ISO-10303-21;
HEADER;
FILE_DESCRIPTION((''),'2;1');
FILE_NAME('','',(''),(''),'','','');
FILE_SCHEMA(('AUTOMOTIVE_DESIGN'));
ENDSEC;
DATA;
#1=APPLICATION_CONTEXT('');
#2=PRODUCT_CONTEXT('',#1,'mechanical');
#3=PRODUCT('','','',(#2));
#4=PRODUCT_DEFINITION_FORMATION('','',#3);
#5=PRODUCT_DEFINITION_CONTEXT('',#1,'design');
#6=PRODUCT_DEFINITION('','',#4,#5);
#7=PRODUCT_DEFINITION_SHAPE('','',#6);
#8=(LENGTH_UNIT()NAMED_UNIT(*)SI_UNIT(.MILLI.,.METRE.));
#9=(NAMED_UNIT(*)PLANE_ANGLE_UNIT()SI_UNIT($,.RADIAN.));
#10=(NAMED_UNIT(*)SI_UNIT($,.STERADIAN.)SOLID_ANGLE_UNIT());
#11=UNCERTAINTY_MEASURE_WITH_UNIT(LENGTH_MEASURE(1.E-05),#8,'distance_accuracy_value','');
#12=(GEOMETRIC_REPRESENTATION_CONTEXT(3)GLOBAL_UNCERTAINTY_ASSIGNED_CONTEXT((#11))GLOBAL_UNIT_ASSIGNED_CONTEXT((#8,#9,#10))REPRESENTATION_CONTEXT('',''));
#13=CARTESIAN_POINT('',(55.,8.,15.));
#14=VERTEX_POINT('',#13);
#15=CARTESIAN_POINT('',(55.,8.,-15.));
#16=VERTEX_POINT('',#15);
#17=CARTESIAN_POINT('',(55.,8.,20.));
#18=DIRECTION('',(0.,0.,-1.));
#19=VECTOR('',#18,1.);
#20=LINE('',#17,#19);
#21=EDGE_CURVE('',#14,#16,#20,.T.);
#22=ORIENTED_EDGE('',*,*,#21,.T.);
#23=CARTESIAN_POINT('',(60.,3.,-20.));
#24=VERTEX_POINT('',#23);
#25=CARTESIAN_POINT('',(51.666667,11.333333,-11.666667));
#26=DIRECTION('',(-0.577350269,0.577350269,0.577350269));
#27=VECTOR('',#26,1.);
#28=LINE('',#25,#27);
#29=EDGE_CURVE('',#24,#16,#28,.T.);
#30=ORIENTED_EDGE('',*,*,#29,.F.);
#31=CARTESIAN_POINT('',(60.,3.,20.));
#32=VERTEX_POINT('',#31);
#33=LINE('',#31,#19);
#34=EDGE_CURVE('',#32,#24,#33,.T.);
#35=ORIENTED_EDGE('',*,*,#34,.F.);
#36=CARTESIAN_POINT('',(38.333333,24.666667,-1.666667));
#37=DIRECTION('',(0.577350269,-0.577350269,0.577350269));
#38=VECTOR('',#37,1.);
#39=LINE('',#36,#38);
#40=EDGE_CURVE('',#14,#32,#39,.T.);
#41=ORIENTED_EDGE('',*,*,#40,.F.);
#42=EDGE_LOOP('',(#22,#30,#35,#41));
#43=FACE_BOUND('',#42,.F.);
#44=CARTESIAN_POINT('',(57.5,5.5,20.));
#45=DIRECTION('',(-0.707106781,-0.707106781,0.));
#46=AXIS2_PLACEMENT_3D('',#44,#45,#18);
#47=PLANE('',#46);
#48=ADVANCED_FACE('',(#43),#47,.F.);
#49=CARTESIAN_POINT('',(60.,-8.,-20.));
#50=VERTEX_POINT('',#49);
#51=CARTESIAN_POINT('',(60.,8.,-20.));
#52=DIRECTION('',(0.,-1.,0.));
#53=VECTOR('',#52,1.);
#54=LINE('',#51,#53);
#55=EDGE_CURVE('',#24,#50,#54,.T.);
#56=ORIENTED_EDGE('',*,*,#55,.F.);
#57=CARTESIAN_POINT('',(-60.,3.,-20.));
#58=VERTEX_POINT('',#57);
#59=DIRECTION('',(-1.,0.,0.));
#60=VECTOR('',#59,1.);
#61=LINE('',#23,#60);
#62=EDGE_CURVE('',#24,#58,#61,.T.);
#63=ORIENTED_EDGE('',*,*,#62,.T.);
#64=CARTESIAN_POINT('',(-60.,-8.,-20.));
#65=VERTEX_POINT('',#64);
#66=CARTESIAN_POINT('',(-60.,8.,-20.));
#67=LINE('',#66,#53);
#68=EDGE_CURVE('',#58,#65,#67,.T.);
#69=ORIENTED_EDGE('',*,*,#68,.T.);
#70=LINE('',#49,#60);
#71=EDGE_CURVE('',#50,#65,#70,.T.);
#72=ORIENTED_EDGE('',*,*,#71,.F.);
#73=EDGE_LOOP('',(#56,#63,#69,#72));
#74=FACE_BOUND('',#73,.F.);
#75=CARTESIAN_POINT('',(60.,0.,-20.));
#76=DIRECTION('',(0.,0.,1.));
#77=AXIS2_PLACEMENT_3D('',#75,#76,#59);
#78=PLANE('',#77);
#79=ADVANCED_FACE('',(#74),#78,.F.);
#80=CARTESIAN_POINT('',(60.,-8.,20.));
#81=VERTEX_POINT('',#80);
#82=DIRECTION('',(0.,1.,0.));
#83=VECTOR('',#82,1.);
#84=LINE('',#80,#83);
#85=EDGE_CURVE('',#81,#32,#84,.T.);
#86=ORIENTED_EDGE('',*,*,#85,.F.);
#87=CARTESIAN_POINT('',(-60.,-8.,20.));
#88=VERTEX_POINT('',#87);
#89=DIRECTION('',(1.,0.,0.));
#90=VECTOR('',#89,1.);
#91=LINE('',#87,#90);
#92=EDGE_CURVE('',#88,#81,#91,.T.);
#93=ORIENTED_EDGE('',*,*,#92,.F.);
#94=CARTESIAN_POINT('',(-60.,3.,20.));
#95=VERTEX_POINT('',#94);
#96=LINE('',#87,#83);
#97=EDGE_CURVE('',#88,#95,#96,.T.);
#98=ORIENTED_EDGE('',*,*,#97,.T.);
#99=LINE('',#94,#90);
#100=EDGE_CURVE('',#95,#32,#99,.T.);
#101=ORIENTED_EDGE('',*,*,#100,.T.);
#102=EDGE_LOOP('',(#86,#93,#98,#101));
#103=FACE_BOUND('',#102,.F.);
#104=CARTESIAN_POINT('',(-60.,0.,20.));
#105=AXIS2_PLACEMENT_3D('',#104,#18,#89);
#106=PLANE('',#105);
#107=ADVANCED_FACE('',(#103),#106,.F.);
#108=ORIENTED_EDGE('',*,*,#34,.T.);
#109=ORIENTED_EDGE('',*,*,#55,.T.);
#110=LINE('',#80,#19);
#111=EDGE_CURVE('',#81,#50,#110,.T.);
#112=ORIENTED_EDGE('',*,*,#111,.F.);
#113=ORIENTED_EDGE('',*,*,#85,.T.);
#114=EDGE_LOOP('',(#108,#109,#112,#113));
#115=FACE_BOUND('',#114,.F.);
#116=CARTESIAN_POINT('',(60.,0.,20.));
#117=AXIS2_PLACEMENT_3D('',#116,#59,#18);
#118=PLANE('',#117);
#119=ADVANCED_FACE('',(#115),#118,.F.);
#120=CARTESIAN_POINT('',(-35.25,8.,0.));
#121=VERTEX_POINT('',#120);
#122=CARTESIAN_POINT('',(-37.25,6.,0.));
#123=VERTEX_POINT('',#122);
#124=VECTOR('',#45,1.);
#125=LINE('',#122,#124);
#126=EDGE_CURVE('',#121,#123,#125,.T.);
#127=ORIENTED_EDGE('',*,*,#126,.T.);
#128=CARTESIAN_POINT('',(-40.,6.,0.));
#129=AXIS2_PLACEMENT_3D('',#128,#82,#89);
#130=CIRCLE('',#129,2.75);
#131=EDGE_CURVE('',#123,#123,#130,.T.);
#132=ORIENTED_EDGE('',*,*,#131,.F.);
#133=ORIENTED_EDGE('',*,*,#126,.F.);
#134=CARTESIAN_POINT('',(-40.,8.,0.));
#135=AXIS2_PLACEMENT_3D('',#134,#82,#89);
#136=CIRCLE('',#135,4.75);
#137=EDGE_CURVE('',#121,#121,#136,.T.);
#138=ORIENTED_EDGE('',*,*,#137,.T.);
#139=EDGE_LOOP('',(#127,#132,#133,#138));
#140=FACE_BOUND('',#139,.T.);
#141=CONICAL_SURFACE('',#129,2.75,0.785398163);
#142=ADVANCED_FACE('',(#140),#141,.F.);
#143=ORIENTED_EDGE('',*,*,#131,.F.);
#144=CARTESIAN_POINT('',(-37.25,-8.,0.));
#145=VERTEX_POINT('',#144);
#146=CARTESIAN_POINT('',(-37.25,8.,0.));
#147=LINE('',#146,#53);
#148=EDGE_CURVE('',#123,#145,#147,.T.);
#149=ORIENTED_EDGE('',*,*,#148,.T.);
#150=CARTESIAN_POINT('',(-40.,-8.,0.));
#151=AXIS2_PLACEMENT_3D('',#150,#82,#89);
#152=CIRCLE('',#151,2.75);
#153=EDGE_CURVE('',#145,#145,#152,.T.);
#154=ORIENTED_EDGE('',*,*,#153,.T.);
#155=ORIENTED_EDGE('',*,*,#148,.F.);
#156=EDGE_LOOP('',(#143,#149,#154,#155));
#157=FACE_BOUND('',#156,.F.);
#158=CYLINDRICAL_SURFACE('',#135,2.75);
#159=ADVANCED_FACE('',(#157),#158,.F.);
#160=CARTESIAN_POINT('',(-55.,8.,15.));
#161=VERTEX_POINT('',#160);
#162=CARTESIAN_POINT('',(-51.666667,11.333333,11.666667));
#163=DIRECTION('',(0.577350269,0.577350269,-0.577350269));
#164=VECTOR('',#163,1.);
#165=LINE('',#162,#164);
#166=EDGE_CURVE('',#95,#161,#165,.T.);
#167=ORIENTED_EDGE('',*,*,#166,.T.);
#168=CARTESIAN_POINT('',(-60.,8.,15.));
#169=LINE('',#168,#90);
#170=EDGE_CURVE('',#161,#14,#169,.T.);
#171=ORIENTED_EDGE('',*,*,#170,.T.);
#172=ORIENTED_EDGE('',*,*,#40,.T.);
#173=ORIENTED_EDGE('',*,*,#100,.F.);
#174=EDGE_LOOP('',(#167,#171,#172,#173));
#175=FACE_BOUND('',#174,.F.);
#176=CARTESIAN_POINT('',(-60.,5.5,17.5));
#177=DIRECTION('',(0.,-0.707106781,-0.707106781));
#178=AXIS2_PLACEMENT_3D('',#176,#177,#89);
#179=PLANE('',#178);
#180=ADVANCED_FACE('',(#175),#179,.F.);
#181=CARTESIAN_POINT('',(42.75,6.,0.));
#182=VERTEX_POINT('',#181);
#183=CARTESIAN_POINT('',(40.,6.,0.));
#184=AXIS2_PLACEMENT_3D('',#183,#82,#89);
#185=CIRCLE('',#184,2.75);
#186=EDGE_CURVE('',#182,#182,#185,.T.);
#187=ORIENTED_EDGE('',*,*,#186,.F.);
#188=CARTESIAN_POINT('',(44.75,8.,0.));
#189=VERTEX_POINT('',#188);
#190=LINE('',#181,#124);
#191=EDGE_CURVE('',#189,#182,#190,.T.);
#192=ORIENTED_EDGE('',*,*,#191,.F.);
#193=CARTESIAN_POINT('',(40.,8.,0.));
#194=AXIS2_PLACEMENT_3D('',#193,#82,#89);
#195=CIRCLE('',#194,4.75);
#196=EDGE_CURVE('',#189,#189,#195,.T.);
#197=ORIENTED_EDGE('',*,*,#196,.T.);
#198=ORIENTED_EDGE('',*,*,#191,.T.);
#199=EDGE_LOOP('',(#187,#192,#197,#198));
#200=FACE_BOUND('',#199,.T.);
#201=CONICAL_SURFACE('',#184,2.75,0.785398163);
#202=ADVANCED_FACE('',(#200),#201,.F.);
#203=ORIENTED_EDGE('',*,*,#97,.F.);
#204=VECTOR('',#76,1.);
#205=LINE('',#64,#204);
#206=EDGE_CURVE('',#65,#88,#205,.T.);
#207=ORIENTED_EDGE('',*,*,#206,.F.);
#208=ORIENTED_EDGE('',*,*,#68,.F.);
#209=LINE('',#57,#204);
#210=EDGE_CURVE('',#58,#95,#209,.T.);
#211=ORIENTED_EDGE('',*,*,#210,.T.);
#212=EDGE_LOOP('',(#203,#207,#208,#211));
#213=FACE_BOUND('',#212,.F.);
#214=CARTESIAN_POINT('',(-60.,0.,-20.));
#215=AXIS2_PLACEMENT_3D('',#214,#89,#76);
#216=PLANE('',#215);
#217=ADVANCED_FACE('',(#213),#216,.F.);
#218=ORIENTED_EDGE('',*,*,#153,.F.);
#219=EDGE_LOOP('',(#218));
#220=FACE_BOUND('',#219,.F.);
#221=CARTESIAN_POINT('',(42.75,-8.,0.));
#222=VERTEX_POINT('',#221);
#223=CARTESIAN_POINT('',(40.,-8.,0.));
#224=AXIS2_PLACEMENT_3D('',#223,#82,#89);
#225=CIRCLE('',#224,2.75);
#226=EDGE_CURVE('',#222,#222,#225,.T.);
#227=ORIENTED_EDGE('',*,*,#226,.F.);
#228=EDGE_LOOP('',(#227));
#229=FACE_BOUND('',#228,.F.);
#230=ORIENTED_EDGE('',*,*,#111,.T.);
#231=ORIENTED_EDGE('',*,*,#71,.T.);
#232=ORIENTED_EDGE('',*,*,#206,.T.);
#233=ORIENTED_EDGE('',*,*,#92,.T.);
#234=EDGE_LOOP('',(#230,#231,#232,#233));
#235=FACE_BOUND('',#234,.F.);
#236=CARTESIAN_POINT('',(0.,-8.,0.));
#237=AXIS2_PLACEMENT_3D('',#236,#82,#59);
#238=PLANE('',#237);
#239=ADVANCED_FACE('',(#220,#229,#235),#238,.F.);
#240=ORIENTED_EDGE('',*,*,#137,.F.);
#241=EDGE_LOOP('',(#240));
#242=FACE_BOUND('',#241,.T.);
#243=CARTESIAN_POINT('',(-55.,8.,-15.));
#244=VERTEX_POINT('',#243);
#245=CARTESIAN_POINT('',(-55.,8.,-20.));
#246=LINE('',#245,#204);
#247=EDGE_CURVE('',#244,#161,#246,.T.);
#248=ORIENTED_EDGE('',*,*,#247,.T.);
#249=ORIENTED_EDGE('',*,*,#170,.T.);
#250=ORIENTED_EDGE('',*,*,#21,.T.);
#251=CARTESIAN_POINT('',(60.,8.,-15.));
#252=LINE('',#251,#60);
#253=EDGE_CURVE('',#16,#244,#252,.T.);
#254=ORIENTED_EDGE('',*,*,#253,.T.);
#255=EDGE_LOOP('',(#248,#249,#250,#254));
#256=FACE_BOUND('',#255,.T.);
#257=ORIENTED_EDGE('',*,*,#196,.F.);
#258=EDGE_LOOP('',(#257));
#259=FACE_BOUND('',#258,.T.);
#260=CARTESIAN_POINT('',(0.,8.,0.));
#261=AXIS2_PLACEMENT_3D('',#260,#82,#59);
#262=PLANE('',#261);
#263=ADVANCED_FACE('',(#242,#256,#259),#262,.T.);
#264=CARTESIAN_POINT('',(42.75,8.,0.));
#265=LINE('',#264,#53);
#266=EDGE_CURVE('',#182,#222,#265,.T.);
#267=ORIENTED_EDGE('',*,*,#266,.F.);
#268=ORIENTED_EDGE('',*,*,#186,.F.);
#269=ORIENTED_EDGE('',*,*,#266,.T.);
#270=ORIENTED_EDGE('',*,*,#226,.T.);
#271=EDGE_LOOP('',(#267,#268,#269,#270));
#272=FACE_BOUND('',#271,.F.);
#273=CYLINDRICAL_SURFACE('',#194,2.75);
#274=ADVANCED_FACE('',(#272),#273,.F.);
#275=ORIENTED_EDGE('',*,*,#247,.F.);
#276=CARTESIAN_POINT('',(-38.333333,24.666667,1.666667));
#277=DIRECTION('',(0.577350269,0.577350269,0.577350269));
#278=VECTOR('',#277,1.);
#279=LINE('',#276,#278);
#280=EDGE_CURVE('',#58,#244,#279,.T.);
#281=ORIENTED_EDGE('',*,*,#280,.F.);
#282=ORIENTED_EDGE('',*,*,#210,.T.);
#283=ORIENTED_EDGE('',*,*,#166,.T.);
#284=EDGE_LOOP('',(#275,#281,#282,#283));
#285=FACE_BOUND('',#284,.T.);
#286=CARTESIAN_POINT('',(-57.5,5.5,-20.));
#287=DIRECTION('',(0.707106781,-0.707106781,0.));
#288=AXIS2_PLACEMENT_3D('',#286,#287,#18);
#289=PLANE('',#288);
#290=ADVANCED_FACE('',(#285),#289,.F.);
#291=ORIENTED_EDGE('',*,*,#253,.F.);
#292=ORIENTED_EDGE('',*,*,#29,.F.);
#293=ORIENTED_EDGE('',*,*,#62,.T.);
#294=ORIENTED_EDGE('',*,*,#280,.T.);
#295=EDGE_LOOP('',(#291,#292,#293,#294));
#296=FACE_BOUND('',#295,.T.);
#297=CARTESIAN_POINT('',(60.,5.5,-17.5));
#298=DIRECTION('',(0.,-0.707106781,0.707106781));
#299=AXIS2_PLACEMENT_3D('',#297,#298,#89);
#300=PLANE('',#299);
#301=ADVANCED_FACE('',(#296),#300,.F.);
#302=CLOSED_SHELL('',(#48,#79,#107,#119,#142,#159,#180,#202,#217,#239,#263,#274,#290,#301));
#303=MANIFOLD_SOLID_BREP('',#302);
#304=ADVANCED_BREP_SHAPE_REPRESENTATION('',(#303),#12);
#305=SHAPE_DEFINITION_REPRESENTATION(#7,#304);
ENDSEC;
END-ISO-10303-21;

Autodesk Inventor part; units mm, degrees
ref_plane "YZ Plane" through (0, 0, 0) normal (1, 0, 0) x (0, 1, 0)
ref_plane "XZ Plane" through (0, 0, 0) normal (0, 1, 0) x (-1, 0, 0)
ref_plane "XY Plane" through (0, 0, 0) normal (0, 0, 1) x (1, 0, 0)
sketch "Sketch1" plane through (0, 0, 0) normal (0, 1, 0) x (-1, 0, 0)
  line L0 (60, 20) -> (-60, 20)
  line L1 (-60, 20) -> (-60, -20)
  line L2 (-60, -20) -> (60, -20)
  line L3 (60, -20) -> (60, 20)
  line L4 (0, 0) -> (-60, 0) construction
  line L5 (0, 0) -> (0, -20) construction
  dimension "d0" = 120
  dimension "d1" = 40
extrude "Extrusion1" add sketch "Sketch1" along normal mid plane 16
sketch "Sketch2" plane through (0, 8, 0) normal (0, 1, 0) x (1, 0, 0)
  line L0 (-60, -20) -> (60, -20) projected
  line L1 (60, -20) -> (60, 20) projected
  line L2 (60, 20) -> (-60, 20) projected
  line L3 (-60, 20) -> (-60, -20) projected
  circle A0 centre (-40, 0) radius 2.75
  circle A1 centre (40, 0) radius 2.75
  line L4 (-60, 0) -> (60, 0) construction
  line L5 (0, 20) -> (0, -20) construction
  point P0 (0, 0)
  dimension "d5" = 5.5
  dimension "d7" = 40
extrude "Extrusion2" cut sketch "Sketch2" against normal through all contours A0 | A1
chamfer "Chamfer1" distance 5 angle 45 4 edges at (-60, 8, 0) (0, 8, 20) (0, 8, -20) (60, 8, 0)
chamfer "Chamfer2" distance 2 angle 45 2 edges at (-42.75, 8, 0) (37.25, 8, 0)
properties part number "Link" material "MDF Medium Density Fiberboard"
